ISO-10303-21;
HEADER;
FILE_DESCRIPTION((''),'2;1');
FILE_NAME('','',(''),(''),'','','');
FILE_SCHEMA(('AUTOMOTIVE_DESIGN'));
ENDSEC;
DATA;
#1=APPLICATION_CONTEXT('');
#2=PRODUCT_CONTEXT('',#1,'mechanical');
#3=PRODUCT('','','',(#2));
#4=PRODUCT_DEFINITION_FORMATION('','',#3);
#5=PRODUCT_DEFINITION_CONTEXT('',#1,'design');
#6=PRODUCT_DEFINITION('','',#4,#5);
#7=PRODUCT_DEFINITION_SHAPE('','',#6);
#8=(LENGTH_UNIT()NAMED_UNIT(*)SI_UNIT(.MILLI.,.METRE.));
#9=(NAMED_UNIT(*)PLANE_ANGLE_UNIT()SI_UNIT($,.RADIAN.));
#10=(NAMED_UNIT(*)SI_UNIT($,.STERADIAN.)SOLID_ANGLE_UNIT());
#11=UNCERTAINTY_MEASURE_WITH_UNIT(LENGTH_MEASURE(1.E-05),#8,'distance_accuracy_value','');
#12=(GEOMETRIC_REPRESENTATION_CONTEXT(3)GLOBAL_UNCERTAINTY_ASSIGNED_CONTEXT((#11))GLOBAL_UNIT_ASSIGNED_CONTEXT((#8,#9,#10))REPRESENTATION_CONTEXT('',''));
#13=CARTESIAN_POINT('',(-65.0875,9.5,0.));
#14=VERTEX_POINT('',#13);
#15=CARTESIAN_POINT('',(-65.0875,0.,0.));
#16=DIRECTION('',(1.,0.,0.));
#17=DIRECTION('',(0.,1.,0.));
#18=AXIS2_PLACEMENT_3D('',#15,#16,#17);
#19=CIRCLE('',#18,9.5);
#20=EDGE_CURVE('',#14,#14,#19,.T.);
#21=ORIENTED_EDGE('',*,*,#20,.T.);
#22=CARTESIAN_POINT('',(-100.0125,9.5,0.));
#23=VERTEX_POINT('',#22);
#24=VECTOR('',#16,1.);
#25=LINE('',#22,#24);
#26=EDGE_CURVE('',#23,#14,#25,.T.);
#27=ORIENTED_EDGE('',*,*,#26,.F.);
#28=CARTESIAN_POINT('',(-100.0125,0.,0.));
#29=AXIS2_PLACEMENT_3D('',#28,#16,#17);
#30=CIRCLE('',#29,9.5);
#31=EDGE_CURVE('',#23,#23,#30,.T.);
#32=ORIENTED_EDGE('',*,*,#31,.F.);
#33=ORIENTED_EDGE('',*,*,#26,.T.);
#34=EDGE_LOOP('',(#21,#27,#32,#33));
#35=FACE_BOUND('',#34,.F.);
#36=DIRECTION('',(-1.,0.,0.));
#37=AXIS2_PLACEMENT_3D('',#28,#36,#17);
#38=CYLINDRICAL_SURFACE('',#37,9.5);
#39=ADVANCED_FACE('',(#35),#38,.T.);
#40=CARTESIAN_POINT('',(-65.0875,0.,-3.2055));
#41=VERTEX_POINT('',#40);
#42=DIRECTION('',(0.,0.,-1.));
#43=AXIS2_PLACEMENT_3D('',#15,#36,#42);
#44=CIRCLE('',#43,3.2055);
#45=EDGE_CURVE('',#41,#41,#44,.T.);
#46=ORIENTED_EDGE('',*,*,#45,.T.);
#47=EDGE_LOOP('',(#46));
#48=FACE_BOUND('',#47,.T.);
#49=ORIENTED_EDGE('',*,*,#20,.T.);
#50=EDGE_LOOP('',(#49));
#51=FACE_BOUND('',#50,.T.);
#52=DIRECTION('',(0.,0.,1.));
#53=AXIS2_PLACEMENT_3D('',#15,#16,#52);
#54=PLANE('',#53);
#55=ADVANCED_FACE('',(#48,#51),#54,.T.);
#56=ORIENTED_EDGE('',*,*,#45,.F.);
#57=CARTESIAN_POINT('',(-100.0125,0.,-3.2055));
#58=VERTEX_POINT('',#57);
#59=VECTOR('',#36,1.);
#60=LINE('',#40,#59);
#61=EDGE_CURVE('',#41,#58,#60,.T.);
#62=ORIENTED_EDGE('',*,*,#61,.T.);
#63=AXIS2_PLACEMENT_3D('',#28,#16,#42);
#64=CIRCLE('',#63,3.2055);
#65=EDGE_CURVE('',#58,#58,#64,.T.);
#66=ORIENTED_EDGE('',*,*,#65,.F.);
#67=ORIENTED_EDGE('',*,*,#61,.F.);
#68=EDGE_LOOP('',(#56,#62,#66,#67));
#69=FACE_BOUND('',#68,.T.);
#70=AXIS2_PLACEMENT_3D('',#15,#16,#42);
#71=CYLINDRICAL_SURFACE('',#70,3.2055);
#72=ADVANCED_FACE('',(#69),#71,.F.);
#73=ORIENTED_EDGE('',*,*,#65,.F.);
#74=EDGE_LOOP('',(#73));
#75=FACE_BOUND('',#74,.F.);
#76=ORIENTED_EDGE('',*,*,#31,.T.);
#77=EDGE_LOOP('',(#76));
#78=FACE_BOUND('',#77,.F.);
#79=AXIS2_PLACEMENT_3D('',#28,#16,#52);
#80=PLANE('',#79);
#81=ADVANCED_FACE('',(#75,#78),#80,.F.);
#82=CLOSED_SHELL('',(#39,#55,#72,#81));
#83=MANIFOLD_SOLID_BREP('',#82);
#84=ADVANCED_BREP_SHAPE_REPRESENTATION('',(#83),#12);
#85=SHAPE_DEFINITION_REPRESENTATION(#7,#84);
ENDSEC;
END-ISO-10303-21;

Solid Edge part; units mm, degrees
sketch "Sketch1" plane through (-100.0125, 0, 0) normal (1, 0, 0) x (0, 1, 0)
  circle A0 centre (0, 0) radius 9.5
  dimension "D1" = 19
extrude "ExtrudedProtrusion_1" add sketch "Sketch1" along normal blind 34.925
hole "Hole_3" at (-65.0875, 0, 0) direction (-1, 0, 0) diameter 6.411 end up to next
properties material "Steel"
